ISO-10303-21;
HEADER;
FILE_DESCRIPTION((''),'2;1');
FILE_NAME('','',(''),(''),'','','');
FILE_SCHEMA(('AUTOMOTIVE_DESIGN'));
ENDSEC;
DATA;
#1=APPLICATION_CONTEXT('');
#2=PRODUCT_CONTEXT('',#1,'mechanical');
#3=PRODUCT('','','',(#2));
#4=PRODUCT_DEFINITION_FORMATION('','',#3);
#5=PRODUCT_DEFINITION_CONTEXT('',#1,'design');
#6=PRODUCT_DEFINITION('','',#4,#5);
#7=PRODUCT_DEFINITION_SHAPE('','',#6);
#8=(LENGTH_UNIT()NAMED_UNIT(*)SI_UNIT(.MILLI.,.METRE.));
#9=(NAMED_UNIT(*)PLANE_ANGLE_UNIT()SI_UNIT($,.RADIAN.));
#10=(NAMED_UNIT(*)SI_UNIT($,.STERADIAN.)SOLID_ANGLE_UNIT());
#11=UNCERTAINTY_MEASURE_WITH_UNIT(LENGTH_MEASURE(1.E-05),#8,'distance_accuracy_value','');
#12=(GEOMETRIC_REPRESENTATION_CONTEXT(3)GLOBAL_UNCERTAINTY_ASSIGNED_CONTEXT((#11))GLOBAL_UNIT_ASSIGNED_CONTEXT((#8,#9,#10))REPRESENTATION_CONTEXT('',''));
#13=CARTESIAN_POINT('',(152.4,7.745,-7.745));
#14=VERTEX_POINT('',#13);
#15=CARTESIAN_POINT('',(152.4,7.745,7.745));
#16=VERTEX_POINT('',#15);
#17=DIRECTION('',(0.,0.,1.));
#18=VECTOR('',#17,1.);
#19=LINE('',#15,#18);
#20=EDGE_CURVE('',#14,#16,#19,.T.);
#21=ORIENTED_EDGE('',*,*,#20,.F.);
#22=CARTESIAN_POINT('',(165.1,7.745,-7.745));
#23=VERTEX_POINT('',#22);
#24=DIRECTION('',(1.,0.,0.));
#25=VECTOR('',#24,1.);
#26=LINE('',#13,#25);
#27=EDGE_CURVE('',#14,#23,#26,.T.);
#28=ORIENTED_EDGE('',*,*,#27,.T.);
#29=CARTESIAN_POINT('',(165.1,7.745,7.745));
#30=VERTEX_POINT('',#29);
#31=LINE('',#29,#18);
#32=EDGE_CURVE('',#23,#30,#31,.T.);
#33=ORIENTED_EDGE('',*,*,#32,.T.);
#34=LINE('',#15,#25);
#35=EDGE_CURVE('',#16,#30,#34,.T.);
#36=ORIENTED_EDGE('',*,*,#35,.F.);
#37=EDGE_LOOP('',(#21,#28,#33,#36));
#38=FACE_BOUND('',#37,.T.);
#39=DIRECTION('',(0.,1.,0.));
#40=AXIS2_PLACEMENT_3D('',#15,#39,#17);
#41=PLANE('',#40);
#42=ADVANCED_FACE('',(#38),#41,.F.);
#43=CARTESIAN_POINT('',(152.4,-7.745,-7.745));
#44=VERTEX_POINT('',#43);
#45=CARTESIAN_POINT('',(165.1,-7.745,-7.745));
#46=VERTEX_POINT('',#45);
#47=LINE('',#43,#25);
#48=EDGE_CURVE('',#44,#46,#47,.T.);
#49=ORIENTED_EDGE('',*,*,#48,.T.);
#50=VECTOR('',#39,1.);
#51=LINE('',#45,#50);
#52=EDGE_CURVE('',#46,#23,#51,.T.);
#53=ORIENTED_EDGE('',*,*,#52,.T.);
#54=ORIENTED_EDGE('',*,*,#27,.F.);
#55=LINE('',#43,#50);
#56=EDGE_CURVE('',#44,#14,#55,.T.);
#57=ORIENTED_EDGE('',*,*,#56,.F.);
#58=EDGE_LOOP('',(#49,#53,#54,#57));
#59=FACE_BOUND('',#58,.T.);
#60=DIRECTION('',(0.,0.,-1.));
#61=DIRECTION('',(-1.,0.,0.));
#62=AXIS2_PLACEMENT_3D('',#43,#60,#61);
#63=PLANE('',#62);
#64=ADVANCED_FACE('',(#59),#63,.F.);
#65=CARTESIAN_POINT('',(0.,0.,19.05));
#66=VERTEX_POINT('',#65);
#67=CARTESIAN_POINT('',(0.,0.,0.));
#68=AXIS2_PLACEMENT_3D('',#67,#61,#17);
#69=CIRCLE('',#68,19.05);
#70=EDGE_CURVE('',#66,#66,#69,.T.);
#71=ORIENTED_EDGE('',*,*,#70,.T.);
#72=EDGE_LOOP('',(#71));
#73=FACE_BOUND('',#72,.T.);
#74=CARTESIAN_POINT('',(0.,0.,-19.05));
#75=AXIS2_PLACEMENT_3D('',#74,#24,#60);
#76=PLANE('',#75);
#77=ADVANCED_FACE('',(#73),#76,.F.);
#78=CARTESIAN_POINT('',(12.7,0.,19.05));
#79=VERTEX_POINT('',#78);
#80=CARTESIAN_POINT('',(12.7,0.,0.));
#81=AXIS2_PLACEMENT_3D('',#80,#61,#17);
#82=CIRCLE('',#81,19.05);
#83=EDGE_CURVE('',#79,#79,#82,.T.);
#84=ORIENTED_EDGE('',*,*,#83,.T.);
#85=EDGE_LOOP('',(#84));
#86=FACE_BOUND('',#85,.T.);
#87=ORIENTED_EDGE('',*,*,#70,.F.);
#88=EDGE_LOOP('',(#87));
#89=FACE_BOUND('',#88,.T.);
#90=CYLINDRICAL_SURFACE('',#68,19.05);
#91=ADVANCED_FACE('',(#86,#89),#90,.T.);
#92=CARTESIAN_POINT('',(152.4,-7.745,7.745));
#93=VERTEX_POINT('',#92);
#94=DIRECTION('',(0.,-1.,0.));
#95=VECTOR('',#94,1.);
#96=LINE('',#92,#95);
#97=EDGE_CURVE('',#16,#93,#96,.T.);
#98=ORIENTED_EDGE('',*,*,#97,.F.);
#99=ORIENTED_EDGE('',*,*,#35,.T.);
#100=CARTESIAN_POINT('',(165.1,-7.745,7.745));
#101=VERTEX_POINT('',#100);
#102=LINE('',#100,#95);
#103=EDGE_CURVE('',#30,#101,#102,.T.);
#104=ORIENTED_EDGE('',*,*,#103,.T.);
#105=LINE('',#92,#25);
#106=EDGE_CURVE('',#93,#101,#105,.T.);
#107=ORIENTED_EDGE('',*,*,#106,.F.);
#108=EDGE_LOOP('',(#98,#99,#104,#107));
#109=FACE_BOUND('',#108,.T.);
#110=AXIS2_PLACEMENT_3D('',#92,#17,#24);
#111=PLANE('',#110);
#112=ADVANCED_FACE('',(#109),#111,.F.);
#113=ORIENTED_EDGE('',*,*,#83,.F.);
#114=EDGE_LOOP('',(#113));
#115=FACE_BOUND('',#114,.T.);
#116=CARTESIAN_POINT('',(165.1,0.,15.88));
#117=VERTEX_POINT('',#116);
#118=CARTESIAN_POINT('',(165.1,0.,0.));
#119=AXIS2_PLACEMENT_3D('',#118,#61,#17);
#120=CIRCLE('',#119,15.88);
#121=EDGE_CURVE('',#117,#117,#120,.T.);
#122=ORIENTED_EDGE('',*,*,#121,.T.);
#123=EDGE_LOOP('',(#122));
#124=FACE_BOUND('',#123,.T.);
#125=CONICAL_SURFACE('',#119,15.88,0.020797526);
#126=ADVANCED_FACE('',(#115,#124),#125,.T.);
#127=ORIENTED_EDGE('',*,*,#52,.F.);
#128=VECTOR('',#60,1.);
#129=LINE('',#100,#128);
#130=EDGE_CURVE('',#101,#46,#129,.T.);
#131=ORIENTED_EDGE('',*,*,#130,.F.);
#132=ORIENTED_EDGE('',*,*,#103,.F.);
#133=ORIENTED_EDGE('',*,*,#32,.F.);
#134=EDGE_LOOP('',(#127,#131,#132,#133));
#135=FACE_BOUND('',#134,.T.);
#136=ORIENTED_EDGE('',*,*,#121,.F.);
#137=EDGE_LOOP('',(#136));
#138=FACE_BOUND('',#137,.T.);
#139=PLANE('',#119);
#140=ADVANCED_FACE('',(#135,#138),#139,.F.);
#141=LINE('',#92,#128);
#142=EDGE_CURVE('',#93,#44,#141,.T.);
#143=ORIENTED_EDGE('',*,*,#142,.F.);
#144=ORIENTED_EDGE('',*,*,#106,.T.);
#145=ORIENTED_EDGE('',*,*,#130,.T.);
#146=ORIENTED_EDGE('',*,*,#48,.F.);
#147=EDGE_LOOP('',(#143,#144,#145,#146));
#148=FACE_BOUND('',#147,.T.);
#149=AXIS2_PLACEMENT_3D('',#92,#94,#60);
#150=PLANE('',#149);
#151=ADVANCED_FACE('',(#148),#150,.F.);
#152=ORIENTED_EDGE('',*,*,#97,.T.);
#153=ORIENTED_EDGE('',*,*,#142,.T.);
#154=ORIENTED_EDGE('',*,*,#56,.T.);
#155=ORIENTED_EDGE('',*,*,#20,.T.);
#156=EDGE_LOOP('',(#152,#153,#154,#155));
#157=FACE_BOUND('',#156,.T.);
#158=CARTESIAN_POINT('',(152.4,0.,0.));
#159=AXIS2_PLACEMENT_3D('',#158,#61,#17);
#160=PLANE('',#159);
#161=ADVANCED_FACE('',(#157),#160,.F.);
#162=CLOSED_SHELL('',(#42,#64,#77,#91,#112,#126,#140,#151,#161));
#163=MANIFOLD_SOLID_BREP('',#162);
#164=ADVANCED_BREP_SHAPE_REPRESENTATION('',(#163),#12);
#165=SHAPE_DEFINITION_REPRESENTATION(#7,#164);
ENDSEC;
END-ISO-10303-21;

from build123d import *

# Parameters (mm, degrees)
SKETCH2_W          = 15.49
SKETCH2_H          = 15.49
CUT_EXTRUDE1_DEPTH = 12.7


with BuildPart() as part:
    # Sketch1 → Revolve1 (revolve)
    with BuildSketch(Plane(origin=(0, 0, 0), x_dir=(1, 0, 0), z_dir=(0, 1, 0))):
        Polygon((0, 0), (165.1, 0), (165.1, 15.88), (12.7, 19.05), (0, 19.05), align=None)
    revolve(axis=Axis((0, 0, 0), (1, 0, 0)))

    # Sketch2 → Cut-Extrude1 (cut)
    with BuildSketch(Plane(origin=(165.1, 0, 0), x_dir=(0, 0, -1), z_dir=(1, 0, 0))):
        Rectangle(SKETCH2_W, SKETCH2_H)
    extrude(amount=-CUT_EXTRUDE1_DEPTH, mode=Mode.SUBTRACT)


solid = part.part
